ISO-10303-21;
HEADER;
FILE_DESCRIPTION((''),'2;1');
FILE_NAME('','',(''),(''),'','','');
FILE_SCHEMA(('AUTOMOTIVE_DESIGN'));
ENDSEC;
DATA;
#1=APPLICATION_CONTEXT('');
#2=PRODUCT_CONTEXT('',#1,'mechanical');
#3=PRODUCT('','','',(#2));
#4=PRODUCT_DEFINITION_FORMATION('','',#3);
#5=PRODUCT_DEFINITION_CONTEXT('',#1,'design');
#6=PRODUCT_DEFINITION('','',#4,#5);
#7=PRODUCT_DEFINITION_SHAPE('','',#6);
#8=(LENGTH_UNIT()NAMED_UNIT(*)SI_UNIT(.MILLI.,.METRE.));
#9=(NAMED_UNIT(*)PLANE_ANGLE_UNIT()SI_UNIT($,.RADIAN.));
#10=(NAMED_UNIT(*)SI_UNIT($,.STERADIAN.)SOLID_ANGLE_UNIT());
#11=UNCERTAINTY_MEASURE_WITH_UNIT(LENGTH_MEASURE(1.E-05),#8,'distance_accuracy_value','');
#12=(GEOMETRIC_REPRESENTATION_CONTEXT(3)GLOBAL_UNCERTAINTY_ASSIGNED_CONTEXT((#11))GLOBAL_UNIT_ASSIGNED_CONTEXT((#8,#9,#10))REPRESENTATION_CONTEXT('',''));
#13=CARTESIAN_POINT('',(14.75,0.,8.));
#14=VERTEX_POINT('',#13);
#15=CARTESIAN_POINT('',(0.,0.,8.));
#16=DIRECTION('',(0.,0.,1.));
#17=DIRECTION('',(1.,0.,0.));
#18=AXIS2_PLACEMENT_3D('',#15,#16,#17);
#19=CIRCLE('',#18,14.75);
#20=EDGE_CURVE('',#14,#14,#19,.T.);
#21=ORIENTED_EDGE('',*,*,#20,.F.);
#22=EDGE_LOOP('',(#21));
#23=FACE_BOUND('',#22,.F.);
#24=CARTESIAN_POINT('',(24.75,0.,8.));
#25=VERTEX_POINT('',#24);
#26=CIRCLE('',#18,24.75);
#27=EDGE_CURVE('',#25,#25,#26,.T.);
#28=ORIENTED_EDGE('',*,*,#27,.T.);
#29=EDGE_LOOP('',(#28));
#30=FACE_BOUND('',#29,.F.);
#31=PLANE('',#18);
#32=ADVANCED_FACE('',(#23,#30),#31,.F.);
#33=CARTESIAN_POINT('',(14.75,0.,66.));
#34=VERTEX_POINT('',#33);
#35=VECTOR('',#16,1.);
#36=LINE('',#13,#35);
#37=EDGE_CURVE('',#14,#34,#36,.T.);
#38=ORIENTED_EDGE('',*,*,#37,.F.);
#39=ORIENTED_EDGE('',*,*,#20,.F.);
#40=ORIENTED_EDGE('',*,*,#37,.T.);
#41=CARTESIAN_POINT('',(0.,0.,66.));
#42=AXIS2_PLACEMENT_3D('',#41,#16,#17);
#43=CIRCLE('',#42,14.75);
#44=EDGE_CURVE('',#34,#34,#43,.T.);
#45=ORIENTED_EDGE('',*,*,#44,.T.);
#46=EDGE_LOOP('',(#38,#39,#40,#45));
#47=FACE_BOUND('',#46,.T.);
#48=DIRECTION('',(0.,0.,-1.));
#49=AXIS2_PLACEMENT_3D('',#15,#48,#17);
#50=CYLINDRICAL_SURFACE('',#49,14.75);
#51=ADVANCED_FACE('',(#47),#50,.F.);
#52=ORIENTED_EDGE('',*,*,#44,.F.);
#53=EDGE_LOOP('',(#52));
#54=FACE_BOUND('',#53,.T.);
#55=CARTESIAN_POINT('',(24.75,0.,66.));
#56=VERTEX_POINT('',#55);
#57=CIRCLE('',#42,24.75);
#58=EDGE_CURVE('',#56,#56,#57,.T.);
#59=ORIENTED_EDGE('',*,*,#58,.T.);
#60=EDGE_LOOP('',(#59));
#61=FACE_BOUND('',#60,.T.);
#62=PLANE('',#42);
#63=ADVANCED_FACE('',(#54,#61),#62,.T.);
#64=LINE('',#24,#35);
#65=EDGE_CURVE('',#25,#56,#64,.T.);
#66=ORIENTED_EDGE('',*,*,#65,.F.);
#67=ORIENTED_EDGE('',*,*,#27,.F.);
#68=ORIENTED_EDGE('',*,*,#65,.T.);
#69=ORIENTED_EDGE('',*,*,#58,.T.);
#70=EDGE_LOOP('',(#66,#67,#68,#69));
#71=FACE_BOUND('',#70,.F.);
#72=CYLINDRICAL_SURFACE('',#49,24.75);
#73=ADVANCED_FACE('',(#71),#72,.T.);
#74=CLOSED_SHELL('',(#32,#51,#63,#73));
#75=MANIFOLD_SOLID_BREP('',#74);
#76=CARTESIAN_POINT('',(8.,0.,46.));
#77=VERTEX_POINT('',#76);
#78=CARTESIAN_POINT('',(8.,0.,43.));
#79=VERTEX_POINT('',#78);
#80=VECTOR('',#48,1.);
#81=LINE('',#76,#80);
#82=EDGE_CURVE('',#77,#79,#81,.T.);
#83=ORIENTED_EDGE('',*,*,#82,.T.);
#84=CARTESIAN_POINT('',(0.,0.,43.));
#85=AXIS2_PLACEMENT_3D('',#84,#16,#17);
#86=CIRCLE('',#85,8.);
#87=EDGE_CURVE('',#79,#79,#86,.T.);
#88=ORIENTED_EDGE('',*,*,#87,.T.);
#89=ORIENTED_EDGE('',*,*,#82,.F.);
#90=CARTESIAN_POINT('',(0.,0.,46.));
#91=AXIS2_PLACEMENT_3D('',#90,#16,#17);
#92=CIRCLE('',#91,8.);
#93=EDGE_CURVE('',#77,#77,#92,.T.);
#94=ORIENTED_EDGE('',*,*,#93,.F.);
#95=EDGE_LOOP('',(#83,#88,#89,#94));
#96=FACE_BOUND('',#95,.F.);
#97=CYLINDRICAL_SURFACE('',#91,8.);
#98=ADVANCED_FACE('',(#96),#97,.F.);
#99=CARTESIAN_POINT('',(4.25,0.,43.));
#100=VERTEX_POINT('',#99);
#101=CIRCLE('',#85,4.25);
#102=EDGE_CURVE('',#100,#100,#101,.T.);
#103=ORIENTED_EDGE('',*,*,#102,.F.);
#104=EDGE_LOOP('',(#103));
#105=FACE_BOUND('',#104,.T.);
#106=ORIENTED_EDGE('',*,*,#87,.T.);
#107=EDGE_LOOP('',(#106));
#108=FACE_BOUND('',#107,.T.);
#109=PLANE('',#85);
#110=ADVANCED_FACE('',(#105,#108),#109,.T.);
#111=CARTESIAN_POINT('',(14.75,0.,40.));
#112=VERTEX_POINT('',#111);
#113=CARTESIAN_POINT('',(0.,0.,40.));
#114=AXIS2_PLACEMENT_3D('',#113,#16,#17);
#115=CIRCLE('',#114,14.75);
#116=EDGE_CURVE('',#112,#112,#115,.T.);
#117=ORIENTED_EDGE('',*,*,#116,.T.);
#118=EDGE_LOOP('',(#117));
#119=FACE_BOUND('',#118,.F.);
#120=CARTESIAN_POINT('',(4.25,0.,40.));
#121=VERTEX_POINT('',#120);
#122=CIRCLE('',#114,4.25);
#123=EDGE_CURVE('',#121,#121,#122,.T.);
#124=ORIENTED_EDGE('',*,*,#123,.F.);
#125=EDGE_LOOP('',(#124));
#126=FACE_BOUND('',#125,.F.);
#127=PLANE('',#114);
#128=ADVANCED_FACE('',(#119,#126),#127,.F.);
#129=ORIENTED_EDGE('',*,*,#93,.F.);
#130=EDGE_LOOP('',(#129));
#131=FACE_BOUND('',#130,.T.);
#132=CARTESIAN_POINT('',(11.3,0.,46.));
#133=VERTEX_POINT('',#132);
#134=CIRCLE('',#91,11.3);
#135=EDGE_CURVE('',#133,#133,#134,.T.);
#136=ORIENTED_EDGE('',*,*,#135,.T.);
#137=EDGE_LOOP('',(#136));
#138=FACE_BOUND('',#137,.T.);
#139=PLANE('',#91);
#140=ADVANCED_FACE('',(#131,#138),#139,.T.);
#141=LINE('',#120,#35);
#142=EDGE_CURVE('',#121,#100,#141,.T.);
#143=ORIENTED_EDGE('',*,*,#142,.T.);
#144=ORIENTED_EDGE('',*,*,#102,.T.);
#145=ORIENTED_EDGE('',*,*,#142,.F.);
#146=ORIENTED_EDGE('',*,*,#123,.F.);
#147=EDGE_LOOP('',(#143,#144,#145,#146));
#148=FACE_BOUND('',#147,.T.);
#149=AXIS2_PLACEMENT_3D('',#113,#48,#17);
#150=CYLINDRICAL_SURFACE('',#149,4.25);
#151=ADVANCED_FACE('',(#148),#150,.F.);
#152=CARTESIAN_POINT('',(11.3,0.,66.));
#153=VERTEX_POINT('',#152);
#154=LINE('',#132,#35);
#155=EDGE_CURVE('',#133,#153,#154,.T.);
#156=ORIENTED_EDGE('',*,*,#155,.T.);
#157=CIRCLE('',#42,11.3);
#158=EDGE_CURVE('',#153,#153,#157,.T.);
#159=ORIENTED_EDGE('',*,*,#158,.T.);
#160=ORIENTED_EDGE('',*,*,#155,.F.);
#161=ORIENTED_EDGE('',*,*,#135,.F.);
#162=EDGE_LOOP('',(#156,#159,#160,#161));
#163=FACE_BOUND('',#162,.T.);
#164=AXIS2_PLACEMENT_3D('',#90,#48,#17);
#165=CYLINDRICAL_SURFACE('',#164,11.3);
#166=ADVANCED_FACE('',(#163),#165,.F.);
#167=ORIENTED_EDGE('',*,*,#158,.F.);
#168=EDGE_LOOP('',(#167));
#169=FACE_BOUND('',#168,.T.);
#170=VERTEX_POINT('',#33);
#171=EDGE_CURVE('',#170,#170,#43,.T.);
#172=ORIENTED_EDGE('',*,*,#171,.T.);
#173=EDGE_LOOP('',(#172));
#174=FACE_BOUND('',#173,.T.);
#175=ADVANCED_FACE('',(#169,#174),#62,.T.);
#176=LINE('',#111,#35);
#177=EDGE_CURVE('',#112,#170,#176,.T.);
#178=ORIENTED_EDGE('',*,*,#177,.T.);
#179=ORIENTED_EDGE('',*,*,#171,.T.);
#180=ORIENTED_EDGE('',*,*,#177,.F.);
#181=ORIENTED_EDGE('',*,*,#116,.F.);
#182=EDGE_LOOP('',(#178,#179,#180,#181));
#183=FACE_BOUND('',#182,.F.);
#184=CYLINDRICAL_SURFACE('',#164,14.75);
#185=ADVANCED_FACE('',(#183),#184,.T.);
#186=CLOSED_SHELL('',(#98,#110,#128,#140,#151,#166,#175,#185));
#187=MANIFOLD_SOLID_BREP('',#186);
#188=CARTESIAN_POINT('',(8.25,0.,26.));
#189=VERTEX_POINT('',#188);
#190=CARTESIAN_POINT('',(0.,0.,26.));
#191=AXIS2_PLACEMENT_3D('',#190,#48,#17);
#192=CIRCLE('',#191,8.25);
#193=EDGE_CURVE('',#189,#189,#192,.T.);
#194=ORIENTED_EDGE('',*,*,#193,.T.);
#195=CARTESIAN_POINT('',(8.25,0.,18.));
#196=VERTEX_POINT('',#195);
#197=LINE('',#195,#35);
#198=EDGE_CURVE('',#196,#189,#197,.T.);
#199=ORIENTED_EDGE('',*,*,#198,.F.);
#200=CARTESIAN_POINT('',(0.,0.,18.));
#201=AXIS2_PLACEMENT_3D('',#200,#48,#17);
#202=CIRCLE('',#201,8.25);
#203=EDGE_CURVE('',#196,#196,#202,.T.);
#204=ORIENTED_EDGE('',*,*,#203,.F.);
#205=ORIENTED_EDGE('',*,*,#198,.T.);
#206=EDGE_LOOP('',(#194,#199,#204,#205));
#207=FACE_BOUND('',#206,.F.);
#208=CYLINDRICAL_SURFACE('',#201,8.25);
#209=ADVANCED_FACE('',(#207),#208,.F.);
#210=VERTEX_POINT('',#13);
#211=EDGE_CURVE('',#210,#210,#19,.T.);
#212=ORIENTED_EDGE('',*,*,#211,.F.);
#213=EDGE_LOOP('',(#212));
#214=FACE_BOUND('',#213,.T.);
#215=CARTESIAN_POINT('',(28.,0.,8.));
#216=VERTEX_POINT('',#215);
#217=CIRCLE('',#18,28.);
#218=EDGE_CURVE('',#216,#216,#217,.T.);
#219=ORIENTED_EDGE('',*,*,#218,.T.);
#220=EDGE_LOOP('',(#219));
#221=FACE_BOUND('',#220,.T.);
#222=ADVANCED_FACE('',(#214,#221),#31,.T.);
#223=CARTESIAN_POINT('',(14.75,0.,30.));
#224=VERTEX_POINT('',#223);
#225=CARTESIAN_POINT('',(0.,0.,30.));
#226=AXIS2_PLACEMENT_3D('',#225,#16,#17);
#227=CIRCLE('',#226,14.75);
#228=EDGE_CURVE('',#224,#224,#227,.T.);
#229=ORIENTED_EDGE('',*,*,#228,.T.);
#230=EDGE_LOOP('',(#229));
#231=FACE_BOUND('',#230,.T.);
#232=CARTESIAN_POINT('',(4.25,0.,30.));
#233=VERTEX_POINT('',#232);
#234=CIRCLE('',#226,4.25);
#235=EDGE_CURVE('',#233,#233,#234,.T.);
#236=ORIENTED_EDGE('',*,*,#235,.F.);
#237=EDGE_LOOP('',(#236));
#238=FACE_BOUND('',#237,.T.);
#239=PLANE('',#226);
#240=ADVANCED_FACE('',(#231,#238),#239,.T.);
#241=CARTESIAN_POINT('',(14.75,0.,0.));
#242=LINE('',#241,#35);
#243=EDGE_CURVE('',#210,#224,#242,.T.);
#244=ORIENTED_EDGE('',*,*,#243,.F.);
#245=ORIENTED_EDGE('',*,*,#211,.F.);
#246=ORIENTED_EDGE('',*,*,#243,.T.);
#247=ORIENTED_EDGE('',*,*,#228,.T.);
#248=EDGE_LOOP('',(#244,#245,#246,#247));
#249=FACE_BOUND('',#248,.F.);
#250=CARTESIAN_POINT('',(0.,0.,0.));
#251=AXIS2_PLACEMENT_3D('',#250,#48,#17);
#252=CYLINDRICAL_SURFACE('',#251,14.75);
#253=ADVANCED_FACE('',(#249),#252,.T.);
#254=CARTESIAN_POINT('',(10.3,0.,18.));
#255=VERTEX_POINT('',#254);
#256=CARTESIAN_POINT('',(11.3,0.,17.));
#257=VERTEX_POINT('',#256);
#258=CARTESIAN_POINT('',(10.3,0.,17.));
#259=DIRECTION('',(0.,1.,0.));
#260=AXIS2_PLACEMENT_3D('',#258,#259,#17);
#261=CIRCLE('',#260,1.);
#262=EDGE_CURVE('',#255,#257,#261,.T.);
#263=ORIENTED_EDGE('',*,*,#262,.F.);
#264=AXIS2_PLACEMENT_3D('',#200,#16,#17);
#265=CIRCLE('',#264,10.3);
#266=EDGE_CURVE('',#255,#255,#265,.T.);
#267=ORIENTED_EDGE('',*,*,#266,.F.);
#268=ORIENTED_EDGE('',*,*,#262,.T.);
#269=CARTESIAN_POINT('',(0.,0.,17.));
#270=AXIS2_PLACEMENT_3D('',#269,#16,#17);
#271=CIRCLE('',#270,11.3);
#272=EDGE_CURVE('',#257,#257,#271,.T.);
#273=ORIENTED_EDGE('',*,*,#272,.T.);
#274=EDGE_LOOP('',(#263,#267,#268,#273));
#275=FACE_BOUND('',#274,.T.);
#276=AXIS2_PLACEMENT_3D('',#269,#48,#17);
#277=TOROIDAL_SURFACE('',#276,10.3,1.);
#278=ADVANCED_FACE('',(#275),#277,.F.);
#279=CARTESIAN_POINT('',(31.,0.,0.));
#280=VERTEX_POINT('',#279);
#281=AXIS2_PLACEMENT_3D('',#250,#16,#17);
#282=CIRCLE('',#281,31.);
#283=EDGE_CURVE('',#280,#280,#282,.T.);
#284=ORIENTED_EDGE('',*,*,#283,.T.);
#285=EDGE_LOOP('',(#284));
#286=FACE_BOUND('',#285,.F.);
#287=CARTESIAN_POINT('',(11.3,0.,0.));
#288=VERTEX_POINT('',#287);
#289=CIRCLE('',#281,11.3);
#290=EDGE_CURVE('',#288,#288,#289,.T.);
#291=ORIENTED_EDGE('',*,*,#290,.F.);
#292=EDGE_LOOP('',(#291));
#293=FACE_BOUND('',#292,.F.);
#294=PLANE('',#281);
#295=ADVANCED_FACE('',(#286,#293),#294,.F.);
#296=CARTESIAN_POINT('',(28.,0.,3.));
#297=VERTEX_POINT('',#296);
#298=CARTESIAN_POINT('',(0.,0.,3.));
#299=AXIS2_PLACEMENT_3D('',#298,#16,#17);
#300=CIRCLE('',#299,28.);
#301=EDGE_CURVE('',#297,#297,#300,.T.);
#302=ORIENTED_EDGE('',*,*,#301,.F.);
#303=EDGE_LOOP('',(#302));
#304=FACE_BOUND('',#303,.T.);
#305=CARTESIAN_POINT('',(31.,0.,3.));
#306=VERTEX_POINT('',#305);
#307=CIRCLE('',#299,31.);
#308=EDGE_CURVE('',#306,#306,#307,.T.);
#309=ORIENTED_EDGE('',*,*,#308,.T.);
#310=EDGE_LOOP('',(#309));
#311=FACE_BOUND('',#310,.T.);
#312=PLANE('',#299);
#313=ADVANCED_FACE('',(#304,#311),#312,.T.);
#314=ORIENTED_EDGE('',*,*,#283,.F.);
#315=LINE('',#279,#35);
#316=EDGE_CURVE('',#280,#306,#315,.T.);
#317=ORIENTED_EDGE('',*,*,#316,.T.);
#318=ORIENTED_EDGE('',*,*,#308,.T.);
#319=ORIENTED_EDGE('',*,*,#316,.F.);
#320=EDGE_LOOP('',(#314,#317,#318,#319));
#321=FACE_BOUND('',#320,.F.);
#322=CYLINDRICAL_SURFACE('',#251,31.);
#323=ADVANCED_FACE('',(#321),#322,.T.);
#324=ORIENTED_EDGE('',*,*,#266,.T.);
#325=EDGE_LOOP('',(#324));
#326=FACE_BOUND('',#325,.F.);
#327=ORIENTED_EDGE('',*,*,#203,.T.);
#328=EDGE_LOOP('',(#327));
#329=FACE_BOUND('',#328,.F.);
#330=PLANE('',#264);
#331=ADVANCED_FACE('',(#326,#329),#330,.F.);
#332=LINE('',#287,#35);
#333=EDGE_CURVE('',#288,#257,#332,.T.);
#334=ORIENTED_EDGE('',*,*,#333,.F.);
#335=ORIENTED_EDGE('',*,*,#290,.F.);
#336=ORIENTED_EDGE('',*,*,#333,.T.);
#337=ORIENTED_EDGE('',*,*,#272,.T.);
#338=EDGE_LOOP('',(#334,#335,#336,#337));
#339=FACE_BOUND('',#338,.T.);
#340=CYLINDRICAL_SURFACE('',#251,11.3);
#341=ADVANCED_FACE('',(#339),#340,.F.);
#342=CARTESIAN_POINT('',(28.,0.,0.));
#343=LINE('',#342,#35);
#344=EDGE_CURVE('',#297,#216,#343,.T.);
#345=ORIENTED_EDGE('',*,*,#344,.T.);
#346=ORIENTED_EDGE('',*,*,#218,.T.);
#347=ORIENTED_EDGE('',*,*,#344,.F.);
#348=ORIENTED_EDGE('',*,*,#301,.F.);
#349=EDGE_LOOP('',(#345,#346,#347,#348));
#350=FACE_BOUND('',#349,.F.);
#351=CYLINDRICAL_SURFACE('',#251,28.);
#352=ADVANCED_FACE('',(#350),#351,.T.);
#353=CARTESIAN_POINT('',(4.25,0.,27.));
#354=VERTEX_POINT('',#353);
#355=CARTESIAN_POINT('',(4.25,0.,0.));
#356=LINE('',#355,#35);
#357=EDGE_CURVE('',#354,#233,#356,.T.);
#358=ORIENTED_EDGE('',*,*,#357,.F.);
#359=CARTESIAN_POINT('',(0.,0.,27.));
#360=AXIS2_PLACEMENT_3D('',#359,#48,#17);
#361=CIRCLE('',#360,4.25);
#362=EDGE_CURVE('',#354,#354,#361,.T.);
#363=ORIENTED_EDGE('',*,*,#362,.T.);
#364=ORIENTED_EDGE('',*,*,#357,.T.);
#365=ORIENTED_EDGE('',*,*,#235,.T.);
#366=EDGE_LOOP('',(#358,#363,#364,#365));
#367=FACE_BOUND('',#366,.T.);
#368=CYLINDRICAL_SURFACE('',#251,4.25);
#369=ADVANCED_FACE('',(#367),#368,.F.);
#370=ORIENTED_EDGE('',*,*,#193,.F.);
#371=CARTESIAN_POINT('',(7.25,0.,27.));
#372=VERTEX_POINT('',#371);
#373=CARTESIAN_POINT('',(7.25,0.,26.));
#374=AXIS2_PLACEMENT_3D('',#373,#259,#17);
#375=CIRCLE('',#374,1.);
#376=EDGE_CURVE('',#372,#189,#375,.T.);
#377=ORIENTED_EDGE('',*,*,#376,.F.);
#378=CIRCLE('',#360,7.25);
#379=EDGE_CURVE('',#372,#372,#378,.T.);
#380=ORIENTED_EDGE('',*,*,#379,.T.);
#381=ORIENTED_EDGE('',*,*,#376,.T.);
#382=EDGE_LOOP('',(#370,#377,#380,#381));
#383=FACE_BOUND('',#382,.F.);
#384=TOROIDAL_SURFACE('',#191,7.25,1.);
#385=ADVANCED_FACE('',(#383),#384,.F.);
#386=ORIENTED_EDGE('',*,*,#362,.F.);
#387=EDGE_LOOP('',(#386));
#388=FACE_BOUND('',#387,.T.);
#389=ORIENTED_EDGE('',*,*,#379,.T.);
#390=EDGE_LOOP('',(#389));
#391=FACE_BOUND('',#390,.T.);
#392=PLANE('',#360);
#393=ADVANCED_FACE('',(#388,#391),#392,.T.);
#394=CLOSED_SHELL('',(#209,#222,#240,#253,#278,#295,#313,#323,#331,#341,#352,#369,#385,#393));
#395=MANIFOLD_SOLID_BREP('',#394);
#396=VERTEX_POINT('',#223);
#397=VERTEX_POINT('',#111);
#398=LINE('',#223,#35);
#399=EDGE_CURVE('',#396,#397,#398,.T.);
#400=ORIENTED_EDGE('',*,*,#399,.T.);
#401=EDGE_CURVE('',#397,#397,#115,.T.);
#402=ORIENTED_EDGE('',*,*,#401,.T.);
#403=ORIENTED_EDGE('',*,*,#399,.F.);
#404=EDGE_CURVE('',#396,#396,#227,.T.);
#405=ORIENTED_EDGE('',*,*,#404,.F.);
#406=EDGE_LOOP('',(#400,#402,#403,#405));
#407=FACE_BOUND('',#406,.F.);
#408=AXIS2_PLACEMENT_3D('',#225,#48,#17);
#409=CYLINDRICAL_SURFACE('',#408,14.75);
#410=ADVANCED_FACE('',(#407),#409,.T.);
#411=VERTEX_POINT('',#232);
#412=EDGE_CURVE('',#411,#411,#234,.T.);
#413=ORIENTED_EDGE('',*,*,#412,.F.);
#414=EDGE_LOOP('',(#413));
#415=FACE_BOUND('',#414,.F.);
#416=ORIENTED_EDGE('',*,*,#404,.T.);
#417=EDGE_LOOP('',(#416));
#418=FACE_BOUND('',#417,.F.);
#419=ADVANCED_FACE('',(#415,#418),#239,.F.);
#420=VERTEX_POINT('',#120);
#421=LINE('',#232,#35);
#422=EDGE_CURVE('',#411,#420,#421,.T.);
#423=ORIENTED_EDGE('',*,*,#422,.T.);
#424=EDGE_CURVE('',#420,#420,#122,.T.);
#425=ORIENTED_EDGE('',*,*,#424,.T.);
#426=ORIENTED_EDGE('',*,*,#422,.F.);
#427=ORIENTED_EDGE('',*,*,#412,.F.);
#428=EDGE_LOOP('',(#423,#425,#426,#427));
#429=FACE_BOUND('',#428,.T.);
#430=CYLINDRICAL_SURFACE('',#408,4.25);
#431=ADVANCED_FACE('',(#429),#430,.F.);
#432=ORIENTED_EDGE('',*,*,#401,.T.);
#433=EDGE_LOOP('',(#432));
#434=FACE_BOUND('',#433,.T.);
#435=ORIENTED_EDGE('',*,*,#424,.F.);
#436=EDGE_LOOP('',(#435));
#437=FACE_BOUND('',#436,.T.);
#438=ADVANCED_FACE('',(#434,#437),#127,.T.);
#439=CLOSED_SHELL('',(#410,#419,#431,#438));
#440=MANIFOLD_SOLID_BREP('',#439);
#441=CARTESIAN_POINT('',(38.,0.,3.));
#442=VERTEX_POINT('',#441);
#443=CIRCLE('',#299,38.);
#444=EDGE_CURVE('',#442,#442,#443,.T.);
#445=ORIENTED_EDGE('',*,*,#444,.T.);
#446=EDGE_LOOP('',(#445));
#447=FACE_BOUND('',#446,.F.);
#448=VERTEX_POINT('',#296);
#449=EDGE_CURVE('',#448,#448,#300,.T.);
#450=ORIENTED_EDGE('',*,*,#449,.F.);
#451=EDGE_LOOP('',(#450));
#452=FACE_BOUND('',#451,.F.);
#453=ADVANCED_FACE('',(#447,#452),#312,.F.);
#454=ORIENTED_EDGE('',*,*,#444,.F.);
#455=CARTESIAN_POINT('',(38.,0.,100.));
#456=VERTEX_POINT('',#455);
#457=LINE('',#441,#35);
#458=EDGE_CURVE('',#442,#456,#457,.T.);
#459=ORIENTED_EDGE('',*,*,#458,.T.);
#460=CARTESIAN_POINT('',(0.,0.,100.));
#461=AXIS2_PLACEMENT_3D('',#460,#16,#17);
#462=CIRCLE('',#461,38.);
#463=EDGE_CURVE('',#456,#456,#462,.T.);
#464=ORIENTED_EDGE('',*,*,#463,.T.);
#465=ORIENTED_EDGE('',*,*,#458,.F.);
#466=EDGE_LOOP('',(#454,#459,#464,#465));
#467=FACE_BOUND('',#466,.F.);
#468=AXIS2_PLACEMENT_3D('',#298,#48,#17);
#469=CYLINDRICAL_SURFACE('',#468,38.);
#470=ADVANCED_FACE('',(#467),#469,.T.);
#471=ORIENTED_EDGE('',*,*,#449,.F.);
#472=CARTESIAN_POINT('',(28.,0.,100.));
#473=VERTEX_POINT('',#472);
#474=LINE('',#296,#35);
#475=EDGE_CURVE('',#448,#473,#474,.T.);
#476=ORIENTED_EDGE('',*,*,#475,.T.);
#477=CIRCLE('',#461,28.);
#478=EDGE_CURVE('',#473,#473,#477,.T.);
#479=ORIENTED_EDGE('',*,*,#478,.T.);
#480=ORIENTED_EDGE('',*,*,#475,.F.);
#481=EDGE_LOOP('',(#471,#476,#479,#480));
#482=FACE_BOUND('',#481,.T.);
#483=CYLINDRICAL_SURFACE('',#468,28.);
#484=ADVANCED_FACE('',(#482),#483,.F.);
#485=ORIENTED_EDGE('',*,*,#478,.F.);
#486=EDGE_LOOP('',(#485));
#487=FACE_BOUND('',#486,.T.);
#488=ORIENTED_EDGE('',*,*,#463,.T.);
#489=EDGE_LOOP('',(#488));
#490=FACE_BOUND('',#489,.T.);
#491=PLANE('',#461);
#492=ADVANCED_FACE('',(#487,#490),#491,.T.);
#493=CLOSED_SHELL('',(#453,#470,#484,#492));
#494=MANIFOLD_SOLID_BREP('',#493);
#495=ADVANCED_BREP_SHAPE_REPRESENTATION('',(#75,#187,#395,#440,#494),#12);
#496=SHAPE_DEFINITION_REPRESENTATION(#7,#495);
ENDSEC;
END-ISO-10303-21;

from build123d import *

# Parameters (mm, degrees)
F0_R      = 31
F0_R_2    = 28
F1_DEPTH  = 3
F0_R_3    = 14.75
F2_DEPTH  = 8
F0_R_4    = 11.3
F0_R_5    = 4.25
F3_DEPTH  = 30
F4_DEPTH  = 18
F5_R      = 8.25
F5_R_2    = 4.25
F6_DEPTH  = 9
F7_R      = 1
F8_R      = 38
F8_R_2    = 31
F8_R_3    = 28
F9_DEPTH  = 97
F10_R     = 24.75
F10_R_2   = 14.75
F11_DEPTH = 58
F12_DEPTH = 10
F13_R     = 14.75
F13_R_2   = 11.3
F13_R_3   = 4.25
F14_DEPTH = 6
F15_R     = 8
F15_R_2   = 4.25
F16_DEPTH = 3
F15_R_3   = 14.75
F15_R_4   = 11.3
F17_DEPTH = 20


with BuildPart() as f1:
    # F0 (on Top) → F1 (new body)
    with BuildSketch(Plane.XY):
        Circle(F0_R)
        Circle(F0_R_2, mode=Mode.SUBTRACT)
    extrude(amount=F1_DEPTH)

    # F0 (on Top) → F2 (join)
    with BuildSketch(Plane.XY):
        Circle(F0_R_2)
        Circle(F0_R_3, mode=Mode.SUBTRACT)
    extrude(amount=F2_DEPTH)

    # F0 (on Top) → F3 (join)
    with BuildSketch(Plane.XY):
        Circle(F0_R_3)
        Circle(F0_R_4, mode=Mode.SUBTRACT)
        Circle(F0_R_4)
        Circle(F0_R_5, mode=Mode.SUBTRACT)
    extrude(amount=F3_DEPTH)

    # F0 (on Top) → F4 (cut)
    with BuildSketch(Plane.XY):
        Circle(F0_R_4)
        Circle(F0_R_5, mode=Mode.SUBTRACT)
    extrude(amount=F4_DEPTH, mode=Mode.SUBTRACT)

    # F5 (on face) → F6 (cut)
    with BuildSketch(Plane(origin=(0, 0, 18), x_dir=(1, 0, 0), z_dir=(0, 0, -1))):
        Circle(F5_R)
        Circle(F5_R_2, mode=Mode.SUBTRACT)
    extrude(amount=-F6_DEPTH, mode=Mode.SUBTRACT)

    # F7
    f7_edges = [f1.edges().sort_by_distance(p)[0] for p in [
        (-11.3, 0, 18),
        (-8.25, 0, 27),
    ]]
    fillet(f7_edges, radius=F7_R)


with BuildPart() as f9:
    # F8 (on face) → F9 (new body)
    with BuildSketch(Plane.XY.offset(3)):
        Circle(F8_R)
        Circle(F8_R_2, mode=Mode.SUBTRACT)
        Circle(F8_R_2)
        Circle(F8_R_3, mode=Mode.SUBTRACT)
    extrude(amount=F9_DEPTH)


with BuildPart() as f11:
    # F10 (on face) → F11 (new body)
    with BuildSketch(Plane.XY.offset(8)):
        Circle(F10_R)
        Circle(F10_R_2, mode=Mode.SUBTRACT)
    extrude(amount=F11_DEPTH)


with BuildPart() as f12:
    # F12 (new): a face of the model
    f12_faces = [f1.part.faces().sort_by_distance(p)[0] for p in [
        (-14.3328069991, 0, 30),
    ]]
    extrude(f12_faces, amount=F12_DEPTH)


with BuildPart() as f14:
    # F13 (on face) → F14 (new body)
    with BuildSketch(Plane.XY.offset(40)):
        Circle(F13_R)
        Circle(F13_R_2, mode=Mode.SUBTRACT)
        Circle(F13_R_2)
        Circle(F13_R_3, mode=Mode.SUBTRACT)
    extrude(amount=F14_DEPTH)

    # F15 (on face) → F16 (cut)
    with BuildSketch(Plane.XY.offset(46)):
        Circle(F15_R)
        Circle(F15_R_2, mode=Mode.SUBTRACT)
    extrude(amount=-F16_DEPTH, mode=Mode.SUBTRACT)

    # F15 (on face) → F17 (join, through all)
    with BuildSketch(Plane.XY.offset(46)):
        Circle(F15_R_3)
        Circle(F15_R_4, mode=Mode.SUBTRACT)
    extrude(amount=F17_DEPTH)


solid = Compound([f1.part, f9.part, f11.part, f12.part, f14.part])
